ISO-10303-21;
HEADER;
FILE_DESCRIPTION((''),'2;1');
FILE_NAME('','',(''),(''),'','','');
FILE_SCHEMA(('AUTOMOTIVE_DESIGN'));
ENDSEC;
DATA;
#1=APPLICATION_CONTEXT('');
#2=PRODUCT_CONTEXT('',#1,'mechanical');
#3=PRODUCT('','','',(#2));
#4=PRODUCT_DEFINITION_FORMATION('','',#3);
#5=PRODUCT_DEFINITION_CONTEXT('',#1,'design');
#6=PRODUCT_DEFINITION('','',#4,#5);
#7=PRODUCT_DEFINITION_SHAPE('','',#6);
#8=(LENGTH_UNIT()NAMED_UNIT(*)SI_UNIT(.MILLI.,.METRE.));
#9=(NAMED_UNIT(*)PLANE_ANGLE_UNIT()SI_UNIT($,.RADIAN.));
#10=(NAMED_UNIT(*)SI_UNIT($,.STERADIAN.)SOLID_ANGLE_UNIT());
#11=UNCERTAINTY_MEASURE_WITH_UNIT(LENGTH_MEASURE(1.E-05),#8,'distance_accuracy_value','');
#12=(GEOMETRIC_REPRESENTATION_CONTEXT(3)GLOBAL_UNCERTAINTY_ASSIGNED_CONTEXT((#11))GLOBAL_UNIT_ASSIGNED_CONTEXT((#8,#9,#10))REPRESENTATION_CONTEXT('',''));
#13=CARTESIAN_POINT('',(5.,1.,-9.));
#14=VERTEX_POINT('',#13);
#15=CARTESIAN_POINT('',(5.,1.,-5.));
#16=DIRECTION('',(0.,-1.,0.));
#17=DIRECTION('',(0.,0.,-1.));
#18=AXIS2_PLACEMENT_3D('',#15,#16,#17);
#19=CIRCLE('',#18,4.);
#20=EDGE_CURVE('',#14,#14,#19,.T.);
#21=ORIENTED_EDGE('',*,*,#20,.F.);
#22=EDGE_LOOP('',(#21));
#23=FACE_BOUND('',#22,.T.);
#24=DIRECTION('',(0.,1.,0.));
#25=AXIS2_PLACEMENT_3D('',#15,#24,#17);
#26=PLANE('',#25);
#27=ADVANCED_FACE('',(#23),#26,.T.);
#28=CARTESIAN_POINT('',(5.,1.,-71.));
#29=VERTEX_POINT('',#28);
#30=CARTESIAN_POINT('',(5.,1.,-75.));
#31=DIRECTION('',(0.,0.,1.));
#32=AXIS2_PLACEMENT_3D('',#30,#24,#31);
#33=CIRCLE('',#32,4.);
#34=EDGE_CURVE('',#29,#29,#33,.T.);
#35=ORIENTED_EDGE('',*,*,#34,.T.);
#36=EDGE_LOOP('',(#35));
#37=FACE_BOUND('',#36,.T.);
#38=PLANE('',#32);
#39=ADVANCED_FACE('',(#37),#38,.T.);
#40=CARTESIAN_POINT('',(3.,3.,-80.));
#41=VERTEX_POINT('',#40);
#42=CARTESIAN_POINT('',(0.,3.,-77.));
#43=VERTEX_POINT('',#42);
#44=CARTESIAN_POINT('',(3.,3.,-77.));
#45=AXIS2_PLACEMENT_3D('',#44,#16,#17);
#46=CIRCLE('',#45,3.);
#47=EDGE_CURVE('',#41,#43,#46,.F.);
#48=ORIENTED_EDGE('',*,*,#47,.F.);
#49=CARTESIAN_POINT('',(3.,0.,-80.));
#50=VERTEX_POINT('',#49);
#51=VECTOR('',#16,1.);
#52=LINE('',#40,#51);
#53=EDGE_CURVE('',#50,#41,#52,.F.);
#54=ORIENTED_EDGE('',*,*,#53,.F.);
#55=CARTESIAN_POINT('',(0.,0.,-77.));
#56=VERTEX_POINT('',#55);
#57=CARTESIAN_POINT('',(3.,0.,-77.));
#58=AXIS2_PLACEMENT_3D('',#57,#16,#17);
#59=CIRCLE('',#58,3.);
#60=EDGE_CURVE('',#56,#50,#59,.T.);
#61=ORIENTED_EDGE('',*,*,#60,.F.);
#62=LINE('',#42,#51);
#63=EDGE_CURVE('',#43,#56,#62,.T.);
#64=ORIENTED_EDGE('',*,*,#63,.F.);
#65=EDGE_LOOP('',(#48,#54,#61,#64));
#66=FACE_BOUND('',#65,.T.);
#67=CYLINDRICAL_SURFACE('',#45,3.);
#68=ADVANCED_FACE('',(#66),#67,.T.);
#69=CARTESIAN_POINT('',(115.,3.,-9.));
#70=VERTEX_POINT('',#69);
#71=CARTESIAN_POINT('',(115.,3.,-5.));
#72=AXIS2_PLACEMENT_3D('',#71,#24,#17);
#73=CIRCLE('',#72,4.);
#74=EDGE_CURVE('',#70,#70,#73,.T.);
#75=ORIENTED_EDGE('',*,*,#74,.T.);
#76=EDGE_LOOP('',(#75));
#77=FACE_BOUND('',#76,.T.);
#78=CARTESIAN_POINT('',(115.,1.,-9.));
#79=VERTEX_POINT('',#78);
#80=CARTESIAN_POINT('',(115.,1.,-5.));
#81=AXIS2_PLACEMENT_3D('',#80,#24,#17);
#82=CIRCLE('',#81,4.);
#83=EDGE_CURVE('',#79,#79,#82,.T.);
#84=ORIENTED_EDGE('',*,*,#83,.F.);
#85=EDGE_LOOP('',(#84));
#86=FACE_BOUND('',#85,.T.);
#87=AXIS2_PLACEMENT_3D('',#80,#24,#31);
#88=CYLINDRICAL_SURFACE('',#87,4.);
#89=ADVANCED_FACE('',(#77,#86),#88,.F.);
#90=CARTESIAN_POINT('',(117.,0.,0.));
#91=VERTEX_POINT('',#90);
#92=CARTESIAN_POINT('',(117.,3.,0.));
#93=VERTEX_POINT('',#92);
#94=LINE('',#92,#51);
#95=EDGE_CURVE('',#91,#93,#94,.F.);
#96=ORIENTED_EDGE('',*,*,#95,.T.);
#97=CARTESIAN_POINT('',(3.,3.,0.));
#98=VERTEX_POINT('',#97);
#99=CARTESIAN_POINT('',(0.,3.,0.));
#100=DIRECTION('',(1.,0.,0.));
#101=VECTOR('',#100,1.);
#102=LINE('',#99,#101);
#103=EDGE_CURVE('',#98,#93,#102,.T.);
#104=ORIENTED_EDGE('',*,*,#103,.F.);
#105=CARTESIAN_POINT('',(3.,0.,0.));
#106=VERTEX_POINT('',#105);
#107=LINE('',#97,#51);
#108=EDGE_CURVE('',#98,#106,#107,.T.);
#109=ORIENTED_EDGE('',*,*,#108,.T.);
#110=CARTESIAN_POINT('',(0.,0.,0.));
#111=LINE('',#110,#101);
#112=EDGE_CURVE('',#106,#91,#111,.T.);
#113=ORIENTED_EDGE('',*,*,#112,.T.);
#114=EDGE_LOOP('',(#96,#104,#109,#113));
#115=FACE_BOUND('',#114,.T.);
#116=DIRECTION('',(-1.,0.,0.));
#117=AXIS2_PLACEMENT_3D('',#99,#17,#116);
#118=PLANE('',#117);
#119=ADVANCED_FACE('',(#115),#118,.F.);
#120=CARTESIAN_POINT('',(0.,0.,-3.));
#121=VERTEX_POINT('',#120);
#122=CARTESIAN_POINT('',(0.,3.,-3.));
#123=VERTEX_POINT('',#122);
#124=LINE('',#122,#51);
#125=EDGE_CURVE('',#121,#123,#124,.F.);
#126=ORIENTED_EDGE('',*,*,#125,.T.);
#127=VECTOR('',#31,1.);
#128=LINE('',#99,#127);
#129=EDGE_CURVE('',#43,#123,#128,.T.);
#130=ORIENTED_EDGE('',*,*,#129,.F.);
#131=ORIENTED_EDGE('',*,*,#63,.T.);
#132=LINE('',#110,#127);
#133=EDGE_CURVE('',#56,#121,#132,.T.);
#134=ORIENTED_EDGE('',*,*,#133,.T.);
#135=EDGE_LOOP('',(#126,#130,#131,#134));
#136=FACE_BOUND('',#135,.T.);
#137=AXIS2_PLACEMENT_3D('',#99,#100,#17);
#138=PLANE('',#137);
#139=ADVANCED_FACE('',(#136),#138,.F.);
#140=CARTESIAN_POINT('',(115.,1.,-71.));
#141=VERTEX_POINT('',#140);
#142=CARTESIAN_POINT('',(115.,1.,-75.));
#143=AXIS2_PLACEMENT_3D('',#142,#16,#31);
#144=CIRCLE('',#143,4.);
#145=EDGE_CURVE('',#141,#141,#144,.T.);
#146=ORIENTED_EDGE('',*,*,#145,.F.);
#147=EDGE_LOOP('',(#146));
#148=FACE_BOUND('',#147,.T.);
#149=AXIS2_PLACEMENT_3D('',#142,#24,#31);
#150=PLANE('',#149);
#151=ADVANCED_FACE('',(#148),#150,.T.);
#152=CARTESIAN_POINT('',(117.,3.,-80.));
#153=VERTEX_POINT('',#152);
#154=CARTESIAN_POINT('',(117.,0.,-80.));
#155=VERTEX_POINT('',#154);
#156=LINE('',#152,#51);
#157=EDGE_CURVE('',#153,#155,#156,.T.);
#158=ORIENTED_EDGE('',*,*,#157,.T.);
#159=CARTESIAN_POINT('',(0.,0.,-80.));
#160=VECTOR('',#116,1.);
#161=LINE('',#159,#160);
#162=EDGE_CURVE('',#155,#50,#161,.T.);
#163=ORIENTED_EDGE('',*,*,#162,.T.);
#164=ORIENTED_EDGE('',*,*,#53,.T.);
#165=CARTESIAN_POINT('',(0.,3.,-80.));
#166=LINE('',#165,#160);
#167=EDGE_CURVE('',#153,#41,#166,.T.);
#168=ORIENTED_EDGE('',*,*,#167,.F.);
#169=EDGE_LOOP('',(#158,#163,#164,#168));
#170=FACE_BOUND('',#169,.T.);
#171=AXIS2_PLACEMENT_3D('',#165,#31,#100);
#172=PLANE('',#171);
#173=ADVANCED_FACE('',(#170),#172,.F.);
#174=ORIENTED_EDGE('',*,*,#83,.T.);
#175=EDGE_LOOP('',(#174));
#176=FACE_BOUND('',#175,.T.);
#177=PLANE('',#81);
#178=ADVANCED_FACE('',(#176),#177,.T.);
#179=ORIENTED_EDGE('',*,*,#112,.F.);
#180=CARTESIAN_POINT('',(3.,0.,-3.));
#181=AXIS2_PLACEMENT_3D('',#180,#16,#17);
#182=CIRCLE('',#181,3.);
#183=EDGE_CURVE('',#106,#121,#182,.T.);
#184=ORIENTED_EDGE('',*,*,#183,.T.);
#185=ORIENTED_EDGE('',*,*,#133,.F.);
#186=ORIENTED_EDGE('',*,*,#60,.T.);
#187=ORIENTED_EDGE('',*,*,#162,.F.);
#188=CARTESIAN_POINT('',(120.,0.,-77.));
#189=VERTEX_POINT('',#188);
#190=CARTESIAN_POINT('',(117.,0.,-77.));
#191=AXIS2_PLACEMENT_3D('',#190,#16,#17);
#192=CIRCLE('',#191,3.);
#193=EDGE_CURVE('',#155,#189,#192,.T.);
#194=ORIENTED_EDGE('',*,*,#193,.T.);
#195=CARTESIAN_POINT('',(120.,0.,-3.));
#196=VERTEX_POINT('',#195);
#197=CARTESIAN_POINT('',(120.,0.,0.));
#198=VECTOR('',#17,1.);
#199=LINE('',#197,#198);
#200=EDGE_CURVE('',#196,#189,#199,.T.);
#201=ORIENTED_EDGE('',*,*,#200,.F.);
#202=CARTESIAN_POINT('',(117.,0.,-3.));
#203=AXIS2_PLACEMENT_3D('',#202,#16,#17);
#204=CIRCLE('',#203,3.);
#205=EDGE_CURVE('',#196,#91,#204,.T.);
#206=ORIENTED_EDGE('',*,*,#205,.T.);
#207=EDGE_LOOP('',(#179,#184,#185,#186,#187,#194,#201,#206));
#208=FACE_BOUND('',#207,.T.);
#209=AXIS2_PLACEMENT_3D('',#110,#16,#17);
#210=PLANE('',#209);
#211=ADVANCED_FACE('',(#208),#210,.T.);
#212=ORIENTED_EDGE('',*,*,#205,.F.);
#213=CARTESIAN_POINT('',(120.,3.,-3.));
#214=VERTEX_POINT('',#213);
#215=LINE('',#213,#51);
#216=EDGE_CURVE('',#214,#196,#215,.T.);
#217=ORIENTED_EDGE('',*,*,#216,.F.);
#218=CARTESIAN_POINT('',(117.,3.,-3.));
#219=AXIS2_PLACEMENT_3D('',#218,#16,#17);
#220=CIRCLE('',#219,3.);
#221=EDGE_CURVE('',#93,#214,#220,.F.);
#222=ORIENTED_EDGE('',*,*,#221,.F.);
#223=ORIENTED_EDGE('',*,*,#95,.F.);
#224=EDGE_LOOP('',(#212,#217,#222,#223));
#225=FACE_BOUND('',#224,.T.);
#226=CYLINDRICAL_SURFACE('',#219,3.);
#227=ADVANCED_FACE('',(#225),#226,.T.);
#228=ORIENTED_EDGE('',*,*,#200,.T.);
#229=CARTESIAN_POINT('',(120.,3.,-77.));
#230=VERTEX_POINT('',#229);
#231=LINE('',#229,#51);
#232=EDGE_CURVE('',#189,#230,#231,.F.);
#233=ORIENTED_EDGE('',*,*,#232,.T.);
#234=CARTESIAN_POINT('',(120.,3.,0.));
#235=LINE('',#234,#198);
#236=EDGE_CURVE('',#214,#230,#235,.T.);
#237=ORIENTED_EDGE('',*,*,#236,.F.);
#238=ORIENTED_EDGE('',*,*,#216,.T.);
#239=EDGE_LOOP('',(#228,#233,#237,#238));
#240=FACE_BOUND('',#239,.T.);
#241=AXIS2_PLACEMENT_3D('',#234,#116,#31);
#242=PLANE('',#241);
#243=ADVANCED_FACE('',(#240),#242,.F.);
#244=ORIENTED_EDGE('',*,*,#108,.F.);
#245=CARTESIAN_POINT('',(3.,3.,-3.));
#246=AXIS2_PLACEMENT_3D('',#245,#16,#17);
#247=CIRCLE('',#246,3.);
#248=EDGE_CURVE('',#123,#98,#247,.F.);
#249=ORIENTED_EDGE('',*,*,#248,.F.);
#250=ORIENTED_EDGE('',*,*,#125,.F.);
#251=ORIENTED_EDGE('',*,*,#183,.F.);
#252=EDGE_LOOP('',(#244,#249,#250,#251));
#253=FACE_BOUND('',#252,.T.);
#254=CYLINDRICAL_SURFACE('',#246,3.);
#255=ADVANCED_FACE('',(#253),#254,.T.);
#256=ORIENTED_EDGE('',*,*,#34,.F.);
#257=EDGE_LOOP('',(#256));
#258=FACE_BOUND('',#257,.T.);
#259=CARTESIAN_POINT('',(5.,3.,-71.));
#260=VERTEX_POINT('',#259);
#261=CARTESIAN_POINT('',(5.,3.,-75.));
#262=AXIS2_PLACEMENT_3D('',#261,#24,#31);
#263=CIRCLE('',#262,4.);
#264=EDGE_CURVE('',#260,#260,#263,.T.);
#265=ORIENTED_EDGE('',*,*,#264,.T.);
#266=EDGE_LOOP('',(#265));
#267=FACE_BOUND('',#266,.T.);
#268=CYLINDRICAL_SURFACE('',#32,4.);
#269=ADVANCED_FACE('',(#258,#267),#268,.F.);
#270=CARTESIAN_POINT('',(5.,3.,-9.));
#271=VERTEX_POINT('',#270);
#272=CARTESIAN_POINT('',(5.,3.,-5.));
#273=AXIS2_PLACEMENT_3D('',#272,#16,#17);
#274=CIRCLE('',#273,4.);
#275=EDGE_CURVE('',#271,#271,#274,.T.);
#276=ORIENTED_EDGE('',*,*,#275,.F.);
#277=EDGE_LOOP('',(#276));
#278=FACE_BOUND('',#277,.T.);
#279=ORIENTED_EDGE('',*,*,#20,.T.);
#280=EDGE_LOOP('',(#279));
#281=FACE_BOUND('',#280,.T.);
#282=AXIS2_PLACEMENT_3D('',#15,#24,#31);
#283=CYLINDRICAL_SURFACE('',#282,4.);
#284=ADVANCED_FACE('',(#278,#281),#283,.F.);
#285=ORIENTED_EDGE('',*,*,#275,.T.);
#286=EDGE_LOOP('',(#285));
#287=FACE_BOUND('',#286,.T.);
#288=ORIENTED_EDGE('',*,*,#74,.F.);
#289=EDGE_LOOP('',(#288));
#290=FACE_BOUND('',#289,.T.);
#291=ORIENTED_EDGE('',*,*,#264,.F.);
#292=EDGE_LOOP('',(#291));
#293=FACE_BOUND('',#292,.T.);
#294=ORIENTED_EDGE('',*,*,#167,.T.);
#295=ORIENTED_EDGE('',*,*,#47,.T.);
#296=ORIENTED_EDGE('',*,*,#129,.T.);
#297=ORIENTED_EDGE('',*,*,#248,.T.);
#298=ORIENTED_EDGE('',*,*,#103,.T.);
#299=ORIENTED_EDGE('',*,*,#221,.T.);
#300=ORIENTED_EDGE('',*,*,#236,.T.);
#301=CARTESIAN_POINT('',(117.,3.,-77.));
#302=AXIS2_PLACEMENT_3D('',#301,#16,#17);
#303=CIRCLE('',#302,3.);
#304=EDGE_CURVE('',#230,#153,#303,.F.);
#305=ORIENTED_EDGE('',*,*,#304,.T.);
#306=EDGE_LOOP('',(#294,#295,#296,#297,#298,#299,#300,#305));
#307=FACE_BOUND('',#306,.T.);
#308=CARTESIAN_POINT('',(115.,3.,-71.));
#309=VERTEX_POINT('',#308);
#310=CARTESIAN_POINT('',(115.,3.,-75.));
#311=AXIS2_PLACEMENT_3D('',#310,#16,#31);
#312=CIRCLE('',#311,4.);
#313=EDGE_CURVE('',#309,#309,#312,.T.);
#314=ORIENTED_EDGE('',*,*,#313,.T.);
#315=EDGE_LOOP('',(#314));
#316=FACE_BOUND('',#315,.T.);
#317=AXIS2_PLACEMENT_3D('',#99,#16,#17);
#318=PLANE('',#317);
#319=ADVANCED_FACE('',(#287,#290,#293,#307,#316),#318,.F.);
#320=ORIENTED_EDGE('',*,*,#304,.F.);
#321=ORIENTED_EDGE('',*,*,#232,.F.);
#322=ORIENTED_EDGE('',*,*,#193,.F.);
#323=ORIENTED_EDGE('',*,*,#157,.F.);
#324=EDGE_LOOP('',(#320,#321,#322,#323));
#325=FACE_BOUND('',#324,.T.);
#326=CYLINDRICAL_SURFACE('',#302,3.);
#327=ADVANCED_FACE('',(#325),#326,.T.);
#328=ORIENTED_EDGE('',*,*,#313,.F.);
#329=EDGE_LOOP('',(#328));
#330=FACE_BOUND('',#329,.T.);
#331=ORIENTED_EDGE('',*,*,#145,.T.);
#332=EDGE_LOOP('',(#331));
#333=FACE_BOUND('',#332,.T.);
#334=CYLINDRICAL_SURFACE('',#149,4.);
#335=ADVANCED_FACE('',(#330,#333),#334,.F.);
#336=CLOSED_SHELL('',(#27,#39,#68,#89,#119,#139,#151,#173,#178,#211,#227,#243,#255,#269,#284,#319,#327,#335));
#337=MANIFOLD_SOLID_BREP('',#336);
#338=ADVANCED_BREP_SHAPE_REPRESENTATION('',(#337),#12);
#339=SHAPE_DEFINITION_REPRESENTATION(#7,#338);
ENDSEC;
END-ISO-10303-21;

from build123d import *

# Parameters (mm, degrees)
SKETCH1_W               = 120
SKETCH1_H               = 80
BOSS_EXTRUDE1_DEPTH     = 3
SKETCH2_R               = 4
CUT_EXTRUDE1_DEPTH      = 2
MIRROR2_COPY_1_SKETCH_R = 4
MIRROR2_COPY_1_DEPTH    = 2
FILLET2_R               = 3


with BuildPart() as part:
    # Sketch1 → Boss-Extrude1 (new body)
    with BuildSketch(Plane(origin=(0, 0, 0), x_dir=(1, 0, 0), z_dir=(0, 1, 0))):
        with Locations((60, 40)):
            Rectangle(SKETCH1_W, SKETCH1_H)
    extrude(amount=BOSS_EXTRUDE1_DEPTH)

    # Sketch2 → Cut-Extrude1 (cut)
    with BuildSketch(Plane(origin=(0, 3, 0), x_dir=(1, 0, 0), z_dir=(0, 1, 0))):
        with Locations(Location((5, 75, 0), (0, 0, 270))):
            Circle(SKETCH2_R)
    cut_extrude1 = extrude(amount=-CUT_EXTRUDE1_DEPTH, mode=Mode.SUBTRACT)

    # Mirror1: Cut-Extrude1 across plane
    add(cut_extrude1.mirror(Plane(origin=(0, 0, -40), x_dir=(1, 0, 0), z_dir=(0, 0, -1))), mode=Mode.SUBTRACT)

    # Mirror2: Cut-Extrude1 across plane
    add(cut_extrude1.mirror(Plane.ZY.offset(-60)), mode=Mode.SUBTRACT)

    # Mirror2 copy 1 sketch → Mirror2 copy 1 (cut)
    with BuildSketch(Plane(origin=(120, 3, -80), x_dir=(-1, 0, 0), z_dir=(0, 1, 0))):
        with Locations(Location((5, 75, 0), (0, 0, 270))):
            Circle(MIRROR2_COPY_1_SKETCH_R)
    extrude(amount=-MIRROR2_COPY_1_DEPTH, mode=Mode.SUBTRACT)

    # Fillet2
    fillet2_edges = [part.edges().sort_by_distance(p)[0] for p in [
        (0, 1.5, -80),
        (120, 1.5, -80),
        (120, 1.5, 0),
        (0, 1.5, 0),
    ]]
    fillet(fillet2_edges, radius=FILLET2_R)


solid = part.part
